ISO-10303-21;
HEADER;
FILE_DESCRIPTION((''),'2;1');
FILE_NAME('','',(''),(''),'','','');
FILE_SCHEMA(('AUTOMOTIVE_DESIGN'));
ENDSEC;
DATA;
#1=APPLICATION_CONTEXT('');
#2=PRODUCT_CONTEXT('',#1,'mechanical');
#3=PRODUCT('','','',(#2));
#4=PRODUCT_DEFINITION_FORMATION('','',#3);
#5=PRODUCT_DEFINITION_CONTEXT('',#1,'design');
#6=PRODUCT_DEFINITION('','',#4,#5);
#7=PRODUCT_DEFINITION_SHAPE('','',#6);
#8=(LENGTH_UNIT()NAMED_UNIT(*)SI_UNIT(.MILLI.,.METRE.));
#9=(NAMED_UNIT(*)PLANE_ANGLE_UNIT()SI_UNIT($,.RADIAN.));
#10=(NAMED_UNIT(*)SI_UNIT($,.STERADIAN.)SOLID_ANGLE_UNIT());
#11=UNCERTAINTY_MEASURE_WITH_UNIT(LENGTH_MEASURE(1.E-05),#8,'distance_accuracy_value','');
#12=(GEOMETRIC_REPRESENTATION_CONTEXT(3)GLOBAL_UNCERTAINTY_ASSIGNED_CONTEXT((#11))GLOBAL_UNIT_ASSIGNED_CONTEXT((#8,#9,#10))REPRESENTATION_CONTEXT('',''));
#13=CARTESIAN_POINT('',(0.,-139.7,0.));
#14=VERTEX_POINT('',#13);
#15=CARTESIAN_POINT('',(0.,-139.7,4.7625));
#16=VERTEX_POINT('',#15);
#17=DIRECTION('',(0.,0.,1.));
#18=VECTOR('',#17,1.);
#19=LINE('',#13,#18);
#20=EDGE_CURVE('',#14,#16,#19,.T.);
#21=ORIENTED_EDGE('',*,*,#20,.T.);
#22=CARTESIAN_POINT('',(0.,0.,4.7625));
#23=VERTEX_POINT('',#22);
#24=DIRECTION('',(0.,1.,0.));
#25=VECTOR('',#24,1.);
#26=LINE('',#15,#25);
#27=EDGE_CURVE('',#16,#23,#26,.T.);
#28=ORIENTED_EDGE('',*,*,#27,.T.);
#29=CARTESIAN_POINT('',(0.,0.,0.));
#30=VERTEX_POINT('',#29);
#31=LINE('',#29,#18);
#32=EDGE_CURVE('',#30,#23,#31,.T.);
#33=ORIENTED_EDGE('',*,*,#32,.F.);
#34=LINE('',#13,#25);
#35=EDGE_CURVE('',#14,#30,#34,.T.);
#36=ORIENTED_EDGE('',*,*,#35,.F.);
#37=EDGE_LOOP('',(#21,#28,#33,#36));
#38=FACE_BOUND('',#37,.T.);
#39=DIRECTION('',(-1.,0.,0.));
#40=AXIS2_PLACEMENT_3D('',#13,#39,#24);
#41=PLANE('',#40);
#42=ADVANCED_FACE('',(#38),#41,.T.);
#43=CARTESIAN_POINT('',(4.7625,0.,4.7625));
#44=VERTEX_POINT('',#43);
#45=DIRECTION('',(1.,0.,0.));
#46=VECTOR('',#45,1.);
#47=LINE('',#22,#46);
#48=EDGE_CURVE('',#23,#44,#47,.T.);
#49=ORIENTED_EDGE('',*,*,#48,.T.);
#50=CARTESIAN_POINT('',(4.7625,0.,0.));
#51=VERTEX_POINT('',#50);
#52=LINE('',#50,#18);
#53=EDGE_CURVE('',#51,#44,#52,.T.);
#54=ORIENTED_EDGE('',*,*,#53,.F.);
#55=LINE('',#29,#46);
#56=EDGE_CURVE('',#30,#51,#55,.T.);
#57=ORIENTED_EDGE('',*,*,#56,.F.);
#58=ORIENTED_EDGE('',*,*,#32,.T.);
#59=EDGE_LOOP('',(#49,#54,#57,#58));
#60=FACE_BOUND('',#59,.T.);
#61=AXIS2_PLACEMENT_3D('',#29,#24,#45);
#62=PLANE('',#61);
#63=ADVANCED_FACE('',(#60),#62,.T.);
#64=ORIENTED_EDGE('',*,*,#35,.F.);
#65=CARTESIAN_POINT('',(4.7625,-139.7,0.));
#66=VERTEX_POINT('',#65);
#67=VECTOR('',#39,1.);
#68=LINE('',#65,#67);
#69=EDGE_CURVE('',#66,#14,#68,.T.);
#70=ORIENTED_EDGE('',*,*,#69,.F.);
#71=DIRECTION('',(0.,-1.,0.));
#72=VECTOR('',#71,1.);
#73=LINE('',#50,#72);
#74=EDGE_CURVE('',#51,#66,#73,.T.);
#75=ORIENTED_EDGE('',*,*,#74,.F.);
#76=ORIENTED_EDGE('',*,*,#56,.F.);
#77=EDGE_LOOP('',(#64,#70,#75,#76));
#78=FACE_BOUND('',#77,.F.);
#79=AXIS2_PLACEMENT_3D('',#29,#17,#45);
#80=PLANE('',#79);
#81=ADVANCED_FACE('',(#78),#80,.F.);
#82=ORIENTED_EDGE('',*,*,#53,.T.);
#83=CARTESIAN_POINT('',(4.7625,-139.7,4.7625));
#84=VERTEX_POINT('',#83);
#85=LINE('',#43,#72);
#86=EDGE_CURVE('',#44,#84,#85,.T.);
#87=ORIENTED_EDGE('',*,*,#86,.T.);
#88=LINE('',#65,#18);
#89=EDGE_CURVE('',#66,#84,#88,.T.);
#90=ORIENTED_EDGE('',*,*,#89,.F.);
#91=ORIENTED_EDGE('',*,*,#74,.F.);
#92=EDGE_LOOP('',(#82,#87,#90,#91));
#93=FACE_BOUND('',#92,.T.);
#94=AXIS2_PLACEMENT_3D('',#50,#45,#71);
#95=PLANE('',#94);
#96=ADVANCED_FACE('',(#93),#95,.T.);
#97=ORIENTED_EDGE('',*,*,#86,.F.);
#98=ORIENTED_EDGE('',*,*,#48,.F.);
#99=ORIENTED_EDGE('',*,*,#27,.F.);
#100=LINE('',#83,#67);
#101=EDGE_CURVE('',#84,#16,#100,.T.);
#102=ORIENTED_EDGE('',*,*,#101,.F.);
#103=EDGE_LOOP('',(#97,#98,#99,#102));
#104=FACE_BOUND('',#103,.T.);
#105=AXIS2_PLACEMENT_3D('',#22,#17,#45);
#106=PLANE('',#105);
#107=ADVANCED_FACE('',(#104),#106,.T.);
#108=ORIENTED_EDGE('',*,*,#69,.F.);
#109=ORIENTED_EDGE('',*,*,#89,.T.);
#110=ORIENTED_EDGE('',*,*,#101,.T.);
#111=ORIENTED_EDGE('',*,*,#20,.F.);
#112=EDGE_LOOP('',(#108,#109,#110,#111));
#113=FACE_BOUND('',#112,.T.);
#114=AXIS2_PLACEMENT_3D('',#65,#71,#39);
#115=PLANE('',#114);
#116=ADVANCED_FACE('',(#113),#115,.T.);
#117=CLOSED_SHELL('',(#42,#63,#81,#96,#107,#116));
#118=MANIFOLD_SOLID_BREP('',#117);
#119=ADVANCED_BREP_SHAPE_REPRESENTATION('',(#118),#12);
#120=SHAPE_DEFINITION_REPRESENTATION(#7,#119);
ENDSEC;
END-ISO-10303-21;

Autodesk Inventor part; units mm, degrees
ref_plane "YZ Plane" through (0, 0, 0) normal (1, 0, 0) x (0, 1, 0)
ref_plane "XZ Plane" through (0, 0, 0) normal (0, 1, 0) x (-1, 0, 0)
ref_plane "XY Plane" through (0, 0, 0) normal (0, 0, 1) x (1, 0, 0)
sketch "Sketch1" plane through (0, 0, 0) normal (0, 0, 1) x (1, 0, 0)
  line L0 (0, 0) -> (4.7625, 0)
  line L1 (4.7625, 0) -> (4.7625, -139.7)
  line L2 (4.7625, -139.7) -> (0, -139.7)
  line L3 (0, -139.7) -> (0, 0)
  point P0 (2.3812, 0)
  point P1 (2.3813, -139.7)
  dimension "d1" = 139.7
  dimension "d2" = 4.7625
extrude "Extrusion1" add sketch "Sketch1" along normal blind 4.7625
properties part number "drive_shaft"
